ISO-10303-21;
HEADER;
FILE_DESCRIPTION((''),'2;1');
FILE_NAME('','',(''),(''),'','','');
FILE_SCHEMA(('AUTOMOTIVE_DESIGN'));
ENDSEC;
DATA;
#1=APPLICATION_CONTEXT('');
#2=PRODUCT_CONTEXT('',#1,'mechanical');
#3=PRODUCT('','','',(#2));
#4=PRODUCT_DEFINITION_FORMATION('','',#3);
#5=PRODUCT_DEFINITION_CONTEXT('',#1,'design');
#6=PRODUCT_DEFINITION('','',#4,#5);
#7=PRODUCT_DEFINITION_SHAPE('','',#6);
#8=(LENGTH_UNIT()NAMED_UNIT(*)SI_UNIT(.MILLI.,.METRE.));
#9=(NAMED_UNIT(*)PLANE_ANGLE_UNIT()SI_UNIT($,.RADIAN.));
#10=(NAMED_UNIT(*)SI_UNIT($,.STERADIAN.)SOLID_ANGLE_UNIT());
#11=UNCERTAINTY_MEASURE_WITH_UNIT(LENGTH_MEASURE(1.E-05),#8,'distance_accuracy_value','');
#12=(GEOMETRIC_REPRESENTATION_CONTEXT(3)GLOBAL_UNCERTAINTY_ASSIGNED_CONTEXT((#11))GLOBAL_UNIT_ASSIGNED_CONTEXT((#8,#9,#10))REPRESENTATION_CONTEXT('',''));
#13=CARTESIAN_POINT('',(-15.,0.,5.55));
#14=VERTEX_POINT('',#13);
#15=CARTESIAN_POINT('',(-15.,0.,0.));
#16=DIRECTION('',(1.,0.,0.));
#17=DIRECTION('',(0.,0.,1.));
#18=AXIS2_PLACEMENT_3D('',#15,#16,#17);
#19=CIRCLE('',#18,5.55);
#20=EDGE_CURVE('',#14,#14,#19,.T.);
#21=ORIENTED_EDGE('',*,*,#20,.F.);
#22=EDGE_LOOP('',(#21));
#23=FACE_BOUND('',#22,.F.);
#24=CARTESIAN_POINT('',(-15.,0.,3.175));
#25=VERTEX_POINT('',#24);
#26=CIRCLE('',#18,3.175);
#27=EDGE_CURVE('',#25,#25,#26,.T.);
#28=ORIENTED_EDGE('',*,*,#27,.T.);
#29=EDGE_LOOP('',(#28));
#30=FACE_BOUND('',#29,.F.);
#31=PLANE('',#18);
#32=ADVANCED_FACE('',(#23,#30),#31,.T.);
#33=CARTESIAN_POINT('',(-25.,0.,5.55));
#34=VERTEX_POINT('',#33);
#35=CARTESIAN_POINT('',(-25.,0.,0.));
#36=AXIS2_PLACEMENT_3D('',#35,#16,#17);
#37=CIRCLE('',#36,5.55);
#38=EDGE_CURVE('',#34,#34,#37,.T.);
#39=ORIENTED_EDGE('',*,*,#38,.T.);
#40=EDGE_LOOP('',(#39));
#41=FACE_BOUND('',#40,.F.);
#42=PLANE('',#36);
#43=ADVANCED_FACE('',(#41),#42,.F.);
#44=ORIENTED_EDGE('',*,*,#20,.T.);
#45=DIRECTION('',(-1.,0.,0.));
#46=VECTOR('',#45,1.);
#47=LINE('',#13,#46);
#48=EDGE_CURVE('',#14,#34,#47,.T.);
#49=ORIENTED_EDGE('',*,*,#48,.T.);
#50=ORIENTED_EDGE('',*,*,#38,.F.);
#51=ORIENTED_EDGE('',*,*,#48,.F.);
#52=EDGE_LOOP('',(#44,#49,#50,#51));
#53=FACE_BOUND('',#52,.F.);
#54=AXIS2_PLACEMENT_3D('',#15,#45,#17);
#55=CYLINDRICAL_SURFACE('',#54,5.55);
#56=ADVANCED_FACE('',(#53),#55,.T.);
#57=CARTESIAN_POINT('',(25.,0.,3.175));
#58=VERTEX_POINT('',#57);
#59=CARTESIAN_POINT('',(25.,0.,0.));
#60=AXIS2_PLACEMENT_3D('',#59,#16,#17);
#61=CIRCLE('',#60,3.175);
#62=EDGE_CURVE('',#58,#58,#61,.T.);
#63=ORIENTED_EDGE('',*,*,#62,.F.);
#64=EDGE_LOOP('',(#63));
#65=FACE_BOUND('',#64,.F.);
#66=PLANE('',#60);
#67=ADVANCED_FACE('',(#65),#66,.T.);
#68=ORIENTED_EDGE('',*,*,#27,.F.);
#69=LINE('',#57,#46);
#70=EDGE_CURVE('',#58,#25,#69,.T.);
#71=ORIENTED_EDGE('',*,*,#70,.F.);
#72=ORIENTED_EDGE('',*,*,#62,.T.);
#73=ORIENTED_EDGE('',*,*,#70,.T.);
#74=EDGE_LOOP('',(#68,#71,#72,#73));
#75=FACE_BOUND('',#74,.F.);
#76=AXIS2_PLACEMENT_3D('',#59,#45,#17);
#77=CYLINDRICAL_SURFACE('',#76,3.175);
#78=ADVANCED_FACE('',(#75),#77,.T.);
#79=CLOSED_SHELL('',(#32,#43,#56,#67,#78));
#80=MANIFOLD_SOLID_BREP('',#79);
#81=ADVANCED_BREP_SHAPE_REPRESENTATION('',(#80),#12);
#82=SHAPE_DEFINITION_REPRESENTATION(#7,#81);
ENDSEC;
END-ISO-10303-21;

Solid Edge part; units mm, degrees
sketch "Sketch1" plane through (10.8674, 0, 10.8674) normal (0, -1, 0) x (1, 0, 0)
  line L0 (14.1326, -10.8674) -> (14.1326, -7.6924)
  line L1 (14.1326, -7.6924) -> (-25.8674, -7.6924)
  line L2 (-25.8674, -7.6924) -> (-25.8674, -5.3174)
  line L3 (-25.8674, -5.3174) -> (-35.8674, -5.3174)
  line L4 (-35.8674, -5.3174) -> (-35.8674, -10.8674)
  dimension "D1" = 40
  dimension "D2" = 10
revolve "RevolvedProtrusion1" add sketch "Sketch1" angle 360 about axis through (-25, 0, 0) along (1, 0, 0)
cosmetic_thread "Thread1" size "1/4-20 UNC"
properties material "Steel"
